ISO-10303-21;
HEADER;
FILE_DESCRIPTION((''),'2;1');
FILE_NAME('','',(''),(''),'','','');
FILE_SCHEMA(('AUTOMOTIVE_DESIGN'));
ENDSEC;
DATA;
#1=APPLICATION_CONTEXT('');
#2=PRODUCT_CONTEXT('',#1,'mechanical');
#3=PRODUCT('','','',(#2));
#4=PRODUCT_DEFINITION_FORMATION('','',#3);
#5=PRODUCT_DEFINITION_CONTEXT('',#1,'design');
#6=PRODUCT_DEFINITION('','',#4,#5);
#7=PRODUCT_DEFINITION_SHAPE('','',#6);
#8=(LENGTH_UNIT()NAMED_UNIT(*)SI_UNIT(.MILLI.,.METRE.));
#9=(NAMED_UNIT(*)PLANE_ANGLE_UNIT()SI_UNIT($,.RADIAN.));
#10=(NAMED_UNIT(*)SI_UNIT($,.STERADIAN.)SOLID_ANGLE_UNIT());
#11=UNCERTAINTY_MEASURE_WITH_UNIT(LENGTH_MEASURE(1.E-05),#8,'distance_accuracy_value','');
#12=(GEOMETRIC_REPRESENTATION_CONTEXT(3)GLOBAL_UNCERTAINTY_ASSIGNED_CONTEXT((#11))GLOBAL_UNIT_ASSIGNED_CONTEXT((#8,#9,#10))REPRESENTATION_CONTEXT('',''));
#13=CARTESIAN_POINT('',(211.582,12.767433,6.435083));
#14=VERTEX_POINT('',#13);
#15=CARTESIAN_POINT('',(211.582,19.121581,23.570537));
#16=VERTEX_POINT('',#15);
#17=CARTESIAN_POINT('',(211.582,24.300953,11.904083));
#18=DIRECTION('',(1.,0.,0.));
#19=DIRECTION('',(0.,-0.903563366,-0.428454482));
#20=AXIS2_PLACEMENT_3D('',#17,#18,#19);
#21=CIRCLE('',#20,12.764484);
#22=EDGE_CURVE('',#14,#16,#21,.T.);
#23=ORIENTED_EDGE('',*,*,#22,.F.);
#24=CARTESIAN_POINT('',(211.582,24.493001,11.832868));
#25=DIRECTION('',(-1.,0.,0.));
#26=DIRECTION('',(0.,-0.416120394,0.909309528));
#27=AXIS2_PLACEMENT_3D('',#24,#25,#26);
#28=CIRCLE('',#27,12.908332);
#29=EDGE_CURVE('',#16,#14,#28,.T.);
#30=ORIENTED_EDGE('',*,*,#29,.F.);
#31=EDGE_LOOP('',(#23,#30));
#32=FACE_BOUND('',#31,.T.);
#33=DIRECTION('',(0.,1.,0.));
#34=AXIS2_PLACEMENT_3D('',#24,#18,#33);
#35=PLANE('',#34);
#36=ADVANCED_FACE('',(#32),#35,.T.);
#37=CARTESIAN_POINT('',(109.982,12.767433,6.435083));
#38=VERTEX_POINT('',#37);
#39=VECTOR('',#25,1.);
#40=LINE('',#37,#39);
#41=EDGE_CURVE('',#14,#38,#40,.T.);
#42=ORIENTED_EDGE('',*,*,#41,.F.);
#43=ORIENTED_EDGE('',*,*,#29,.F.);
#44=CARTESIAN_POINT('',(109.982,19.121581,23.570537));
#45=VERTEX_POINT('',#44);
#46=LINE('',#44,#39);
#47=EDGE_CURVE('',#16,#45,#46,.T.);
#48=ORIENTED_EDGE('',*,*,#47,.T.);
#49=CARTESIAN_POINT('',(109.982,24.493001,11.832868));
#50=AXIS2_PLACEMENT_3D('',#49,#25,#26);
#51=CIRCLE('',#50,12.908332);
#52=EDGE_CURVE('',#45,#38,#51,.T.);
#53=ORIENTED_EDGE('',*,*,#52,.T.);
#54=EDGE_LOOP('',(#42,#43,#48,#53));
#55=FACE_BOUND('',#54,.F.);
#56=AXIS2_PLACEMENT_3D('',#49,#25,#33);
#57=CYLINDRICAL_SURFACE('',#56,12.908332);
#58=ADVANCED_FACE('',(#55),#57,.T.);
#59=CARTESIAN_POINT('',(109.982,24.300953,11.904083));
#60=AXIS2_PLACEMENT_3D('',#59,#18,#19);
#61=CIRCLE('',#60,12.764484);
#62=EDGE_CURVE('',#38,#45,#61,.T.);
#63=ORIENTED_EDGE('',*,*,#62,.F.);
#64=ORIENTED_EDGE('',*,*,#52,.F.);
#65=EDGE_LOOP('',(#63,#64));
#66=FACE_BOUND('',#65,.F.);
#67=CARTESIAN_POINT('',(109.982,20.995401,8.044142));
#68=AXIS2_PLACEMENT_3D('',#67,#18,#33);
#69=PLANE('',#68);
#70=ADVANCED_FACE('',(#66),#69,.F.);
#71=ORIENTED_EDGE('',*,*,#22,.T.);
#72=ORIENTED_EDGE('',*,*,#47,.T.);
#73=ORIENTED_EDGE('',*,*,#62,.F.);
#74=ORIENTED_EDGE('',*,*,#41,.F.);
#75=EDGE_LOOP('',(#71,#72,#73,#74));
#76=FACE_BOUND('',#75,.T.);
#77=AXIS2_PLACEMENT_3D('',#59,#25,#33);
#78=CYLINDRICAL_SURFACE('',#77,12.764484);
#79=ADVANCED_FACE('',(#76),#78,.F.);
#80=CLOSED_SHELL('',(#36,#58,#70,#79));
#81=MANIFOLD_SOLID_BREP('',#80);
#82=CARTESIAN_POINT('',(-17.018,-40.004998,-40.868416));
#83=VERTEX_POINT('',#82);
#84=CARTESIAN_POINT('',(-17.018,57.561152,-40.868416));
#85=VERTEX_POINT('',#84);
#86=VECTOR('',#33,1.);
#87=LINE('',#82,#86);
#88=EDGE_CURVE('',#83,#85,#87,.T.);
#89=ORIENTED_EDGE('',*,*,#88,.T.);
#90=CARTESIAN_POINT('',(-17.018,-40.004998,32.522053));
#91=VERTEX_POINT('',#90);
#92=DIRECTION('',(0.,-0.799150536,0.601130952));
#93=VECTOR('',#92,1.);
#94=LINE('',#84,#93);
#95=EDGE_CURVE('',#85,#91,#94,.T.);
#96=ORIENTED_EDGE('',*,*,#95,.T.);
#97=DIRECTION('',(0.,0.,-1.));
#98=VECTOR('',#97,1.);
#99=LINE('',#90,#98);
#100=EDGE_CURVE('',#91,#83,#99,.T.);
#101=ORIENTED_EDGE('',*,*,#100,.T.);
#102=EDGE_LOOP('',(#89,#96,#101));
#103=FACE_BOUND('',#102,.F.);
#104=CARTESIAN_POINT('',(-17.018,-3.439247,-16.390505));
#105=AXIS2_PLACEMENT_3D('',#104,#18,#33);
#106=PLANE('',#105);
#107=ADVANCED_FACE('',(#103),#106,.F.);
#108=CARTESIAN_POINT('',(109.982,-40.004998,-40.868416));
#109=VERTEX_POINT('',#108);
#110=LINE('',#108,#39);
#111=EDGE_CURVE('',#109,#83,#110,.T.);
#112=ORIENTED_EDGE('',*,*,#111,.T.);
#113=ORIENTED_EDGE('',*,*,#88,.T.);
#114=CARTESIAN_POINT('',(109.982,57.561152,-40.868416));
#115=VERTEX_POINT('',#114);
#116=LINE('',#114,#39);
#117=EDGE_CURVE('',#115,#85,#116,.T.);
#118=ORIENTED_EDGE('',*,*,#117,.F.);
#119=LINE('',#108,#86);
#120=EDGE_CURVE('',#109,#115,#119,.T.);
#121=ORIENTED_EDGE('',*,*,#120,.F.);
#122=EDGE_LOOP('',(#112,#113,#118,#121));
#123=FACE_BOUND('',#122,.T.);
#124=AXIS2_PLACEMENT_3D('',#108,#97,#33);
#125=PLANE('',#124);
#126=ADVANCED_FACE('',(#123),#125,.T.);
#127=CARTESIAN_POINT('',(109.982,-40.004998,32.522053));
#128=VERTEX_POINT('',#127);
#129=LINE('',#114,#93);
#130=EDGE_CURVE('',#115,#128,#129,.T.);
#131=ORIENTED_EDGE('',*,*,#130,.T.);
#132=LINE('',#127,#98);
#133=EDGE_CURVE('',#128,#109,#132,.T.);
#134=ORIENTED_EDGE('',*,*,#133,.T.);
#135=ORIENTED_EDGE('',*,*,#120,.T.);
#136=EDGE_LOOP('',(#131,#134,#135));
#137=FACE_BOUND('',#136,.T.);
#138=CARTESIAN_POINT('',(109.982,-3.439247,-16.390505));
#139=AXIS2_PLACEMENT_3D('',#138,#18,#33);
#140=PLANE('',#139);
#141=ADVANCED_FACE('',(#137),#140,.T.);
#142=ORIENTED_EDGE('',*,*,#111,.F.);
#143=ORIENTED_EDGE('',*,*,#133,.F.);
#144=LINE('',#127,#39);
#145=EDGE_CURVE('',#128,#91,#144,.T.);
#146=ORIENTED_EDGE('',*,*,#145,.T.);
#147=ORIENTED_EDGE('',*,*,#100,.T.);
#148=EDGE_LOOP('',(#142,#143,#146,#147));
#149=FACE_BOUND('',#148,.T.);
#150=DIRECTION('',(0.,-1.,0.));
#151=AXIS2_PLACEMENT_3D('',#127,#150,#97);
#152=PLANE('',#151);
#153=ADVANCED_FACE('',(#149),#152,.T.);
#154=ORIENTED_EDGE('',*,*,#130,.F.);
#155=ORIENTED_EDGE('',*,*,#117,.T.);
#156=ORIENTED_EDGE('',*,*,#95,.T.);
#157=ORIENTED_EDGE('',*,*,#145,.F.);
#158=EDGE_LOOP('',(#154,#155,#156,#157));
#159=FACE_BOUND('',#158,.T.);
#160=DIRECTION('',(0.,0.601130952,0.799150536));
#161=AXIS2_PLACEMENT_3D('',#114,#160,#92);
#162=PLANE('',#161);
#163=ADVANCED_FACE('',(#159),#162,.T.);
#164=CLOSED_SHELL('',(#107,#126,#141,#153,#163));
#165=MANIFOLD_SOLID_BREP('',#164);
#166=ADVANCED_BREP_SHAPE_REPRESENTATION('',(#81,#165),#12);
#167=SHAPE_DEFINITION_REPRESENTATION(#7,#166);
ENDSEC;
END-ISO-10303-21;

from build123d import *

# Parameters (mm, degrees)
F2_DEPTH = 127
F3_DEPTH = 127
F4_R     = 12.764484
F5_DEPTH = 127
F6_R     = 12.908332
F7_DEPTH = 101.6


with BuildPart() as f2:
    # F1 (on offset) → F2 (new body)
    with BuildSketch(Plane.YZ.offset(109.982)):
        Polygon((57.561152, -40.868416), (-40.004998, 32.522053), (-40.004998, -40.868416), align=None)
    extrude(amount=-F2_DEPTH)


with BuildPart() as f3:
    # F1 (on offset) → F3 (new body)
    with BuildSketch(Plane.YZ.offset(109.982)):
        Polygon((57.561152, 32.522053), (-40.004998, 32.522053), (57.561152, -40.868416), align=None)
    extrude(amount=F3_DEPTH)

    # F4 (on offset) → F5 (cut)
    with BuildSketch(Plane.YZ.offset(109.982)):
        with Locations((24.300953, 11.904083)):
            Circle(F4_R)
    extrude(amount=F5_DEPTH, mode=Mode.SUBTRACT)

    # F6 (on offset) → F7 (intersect)
    with BuildSketch(Plane.YZ.offset(109.982)):
        with Locations((24.493001, 11.832868)):
            Circle(F6_R)
    extrude(amount=F7_DEPTH, mode=Mode.INTERSECT)


solid = Compound([f2.part, f3.part])
